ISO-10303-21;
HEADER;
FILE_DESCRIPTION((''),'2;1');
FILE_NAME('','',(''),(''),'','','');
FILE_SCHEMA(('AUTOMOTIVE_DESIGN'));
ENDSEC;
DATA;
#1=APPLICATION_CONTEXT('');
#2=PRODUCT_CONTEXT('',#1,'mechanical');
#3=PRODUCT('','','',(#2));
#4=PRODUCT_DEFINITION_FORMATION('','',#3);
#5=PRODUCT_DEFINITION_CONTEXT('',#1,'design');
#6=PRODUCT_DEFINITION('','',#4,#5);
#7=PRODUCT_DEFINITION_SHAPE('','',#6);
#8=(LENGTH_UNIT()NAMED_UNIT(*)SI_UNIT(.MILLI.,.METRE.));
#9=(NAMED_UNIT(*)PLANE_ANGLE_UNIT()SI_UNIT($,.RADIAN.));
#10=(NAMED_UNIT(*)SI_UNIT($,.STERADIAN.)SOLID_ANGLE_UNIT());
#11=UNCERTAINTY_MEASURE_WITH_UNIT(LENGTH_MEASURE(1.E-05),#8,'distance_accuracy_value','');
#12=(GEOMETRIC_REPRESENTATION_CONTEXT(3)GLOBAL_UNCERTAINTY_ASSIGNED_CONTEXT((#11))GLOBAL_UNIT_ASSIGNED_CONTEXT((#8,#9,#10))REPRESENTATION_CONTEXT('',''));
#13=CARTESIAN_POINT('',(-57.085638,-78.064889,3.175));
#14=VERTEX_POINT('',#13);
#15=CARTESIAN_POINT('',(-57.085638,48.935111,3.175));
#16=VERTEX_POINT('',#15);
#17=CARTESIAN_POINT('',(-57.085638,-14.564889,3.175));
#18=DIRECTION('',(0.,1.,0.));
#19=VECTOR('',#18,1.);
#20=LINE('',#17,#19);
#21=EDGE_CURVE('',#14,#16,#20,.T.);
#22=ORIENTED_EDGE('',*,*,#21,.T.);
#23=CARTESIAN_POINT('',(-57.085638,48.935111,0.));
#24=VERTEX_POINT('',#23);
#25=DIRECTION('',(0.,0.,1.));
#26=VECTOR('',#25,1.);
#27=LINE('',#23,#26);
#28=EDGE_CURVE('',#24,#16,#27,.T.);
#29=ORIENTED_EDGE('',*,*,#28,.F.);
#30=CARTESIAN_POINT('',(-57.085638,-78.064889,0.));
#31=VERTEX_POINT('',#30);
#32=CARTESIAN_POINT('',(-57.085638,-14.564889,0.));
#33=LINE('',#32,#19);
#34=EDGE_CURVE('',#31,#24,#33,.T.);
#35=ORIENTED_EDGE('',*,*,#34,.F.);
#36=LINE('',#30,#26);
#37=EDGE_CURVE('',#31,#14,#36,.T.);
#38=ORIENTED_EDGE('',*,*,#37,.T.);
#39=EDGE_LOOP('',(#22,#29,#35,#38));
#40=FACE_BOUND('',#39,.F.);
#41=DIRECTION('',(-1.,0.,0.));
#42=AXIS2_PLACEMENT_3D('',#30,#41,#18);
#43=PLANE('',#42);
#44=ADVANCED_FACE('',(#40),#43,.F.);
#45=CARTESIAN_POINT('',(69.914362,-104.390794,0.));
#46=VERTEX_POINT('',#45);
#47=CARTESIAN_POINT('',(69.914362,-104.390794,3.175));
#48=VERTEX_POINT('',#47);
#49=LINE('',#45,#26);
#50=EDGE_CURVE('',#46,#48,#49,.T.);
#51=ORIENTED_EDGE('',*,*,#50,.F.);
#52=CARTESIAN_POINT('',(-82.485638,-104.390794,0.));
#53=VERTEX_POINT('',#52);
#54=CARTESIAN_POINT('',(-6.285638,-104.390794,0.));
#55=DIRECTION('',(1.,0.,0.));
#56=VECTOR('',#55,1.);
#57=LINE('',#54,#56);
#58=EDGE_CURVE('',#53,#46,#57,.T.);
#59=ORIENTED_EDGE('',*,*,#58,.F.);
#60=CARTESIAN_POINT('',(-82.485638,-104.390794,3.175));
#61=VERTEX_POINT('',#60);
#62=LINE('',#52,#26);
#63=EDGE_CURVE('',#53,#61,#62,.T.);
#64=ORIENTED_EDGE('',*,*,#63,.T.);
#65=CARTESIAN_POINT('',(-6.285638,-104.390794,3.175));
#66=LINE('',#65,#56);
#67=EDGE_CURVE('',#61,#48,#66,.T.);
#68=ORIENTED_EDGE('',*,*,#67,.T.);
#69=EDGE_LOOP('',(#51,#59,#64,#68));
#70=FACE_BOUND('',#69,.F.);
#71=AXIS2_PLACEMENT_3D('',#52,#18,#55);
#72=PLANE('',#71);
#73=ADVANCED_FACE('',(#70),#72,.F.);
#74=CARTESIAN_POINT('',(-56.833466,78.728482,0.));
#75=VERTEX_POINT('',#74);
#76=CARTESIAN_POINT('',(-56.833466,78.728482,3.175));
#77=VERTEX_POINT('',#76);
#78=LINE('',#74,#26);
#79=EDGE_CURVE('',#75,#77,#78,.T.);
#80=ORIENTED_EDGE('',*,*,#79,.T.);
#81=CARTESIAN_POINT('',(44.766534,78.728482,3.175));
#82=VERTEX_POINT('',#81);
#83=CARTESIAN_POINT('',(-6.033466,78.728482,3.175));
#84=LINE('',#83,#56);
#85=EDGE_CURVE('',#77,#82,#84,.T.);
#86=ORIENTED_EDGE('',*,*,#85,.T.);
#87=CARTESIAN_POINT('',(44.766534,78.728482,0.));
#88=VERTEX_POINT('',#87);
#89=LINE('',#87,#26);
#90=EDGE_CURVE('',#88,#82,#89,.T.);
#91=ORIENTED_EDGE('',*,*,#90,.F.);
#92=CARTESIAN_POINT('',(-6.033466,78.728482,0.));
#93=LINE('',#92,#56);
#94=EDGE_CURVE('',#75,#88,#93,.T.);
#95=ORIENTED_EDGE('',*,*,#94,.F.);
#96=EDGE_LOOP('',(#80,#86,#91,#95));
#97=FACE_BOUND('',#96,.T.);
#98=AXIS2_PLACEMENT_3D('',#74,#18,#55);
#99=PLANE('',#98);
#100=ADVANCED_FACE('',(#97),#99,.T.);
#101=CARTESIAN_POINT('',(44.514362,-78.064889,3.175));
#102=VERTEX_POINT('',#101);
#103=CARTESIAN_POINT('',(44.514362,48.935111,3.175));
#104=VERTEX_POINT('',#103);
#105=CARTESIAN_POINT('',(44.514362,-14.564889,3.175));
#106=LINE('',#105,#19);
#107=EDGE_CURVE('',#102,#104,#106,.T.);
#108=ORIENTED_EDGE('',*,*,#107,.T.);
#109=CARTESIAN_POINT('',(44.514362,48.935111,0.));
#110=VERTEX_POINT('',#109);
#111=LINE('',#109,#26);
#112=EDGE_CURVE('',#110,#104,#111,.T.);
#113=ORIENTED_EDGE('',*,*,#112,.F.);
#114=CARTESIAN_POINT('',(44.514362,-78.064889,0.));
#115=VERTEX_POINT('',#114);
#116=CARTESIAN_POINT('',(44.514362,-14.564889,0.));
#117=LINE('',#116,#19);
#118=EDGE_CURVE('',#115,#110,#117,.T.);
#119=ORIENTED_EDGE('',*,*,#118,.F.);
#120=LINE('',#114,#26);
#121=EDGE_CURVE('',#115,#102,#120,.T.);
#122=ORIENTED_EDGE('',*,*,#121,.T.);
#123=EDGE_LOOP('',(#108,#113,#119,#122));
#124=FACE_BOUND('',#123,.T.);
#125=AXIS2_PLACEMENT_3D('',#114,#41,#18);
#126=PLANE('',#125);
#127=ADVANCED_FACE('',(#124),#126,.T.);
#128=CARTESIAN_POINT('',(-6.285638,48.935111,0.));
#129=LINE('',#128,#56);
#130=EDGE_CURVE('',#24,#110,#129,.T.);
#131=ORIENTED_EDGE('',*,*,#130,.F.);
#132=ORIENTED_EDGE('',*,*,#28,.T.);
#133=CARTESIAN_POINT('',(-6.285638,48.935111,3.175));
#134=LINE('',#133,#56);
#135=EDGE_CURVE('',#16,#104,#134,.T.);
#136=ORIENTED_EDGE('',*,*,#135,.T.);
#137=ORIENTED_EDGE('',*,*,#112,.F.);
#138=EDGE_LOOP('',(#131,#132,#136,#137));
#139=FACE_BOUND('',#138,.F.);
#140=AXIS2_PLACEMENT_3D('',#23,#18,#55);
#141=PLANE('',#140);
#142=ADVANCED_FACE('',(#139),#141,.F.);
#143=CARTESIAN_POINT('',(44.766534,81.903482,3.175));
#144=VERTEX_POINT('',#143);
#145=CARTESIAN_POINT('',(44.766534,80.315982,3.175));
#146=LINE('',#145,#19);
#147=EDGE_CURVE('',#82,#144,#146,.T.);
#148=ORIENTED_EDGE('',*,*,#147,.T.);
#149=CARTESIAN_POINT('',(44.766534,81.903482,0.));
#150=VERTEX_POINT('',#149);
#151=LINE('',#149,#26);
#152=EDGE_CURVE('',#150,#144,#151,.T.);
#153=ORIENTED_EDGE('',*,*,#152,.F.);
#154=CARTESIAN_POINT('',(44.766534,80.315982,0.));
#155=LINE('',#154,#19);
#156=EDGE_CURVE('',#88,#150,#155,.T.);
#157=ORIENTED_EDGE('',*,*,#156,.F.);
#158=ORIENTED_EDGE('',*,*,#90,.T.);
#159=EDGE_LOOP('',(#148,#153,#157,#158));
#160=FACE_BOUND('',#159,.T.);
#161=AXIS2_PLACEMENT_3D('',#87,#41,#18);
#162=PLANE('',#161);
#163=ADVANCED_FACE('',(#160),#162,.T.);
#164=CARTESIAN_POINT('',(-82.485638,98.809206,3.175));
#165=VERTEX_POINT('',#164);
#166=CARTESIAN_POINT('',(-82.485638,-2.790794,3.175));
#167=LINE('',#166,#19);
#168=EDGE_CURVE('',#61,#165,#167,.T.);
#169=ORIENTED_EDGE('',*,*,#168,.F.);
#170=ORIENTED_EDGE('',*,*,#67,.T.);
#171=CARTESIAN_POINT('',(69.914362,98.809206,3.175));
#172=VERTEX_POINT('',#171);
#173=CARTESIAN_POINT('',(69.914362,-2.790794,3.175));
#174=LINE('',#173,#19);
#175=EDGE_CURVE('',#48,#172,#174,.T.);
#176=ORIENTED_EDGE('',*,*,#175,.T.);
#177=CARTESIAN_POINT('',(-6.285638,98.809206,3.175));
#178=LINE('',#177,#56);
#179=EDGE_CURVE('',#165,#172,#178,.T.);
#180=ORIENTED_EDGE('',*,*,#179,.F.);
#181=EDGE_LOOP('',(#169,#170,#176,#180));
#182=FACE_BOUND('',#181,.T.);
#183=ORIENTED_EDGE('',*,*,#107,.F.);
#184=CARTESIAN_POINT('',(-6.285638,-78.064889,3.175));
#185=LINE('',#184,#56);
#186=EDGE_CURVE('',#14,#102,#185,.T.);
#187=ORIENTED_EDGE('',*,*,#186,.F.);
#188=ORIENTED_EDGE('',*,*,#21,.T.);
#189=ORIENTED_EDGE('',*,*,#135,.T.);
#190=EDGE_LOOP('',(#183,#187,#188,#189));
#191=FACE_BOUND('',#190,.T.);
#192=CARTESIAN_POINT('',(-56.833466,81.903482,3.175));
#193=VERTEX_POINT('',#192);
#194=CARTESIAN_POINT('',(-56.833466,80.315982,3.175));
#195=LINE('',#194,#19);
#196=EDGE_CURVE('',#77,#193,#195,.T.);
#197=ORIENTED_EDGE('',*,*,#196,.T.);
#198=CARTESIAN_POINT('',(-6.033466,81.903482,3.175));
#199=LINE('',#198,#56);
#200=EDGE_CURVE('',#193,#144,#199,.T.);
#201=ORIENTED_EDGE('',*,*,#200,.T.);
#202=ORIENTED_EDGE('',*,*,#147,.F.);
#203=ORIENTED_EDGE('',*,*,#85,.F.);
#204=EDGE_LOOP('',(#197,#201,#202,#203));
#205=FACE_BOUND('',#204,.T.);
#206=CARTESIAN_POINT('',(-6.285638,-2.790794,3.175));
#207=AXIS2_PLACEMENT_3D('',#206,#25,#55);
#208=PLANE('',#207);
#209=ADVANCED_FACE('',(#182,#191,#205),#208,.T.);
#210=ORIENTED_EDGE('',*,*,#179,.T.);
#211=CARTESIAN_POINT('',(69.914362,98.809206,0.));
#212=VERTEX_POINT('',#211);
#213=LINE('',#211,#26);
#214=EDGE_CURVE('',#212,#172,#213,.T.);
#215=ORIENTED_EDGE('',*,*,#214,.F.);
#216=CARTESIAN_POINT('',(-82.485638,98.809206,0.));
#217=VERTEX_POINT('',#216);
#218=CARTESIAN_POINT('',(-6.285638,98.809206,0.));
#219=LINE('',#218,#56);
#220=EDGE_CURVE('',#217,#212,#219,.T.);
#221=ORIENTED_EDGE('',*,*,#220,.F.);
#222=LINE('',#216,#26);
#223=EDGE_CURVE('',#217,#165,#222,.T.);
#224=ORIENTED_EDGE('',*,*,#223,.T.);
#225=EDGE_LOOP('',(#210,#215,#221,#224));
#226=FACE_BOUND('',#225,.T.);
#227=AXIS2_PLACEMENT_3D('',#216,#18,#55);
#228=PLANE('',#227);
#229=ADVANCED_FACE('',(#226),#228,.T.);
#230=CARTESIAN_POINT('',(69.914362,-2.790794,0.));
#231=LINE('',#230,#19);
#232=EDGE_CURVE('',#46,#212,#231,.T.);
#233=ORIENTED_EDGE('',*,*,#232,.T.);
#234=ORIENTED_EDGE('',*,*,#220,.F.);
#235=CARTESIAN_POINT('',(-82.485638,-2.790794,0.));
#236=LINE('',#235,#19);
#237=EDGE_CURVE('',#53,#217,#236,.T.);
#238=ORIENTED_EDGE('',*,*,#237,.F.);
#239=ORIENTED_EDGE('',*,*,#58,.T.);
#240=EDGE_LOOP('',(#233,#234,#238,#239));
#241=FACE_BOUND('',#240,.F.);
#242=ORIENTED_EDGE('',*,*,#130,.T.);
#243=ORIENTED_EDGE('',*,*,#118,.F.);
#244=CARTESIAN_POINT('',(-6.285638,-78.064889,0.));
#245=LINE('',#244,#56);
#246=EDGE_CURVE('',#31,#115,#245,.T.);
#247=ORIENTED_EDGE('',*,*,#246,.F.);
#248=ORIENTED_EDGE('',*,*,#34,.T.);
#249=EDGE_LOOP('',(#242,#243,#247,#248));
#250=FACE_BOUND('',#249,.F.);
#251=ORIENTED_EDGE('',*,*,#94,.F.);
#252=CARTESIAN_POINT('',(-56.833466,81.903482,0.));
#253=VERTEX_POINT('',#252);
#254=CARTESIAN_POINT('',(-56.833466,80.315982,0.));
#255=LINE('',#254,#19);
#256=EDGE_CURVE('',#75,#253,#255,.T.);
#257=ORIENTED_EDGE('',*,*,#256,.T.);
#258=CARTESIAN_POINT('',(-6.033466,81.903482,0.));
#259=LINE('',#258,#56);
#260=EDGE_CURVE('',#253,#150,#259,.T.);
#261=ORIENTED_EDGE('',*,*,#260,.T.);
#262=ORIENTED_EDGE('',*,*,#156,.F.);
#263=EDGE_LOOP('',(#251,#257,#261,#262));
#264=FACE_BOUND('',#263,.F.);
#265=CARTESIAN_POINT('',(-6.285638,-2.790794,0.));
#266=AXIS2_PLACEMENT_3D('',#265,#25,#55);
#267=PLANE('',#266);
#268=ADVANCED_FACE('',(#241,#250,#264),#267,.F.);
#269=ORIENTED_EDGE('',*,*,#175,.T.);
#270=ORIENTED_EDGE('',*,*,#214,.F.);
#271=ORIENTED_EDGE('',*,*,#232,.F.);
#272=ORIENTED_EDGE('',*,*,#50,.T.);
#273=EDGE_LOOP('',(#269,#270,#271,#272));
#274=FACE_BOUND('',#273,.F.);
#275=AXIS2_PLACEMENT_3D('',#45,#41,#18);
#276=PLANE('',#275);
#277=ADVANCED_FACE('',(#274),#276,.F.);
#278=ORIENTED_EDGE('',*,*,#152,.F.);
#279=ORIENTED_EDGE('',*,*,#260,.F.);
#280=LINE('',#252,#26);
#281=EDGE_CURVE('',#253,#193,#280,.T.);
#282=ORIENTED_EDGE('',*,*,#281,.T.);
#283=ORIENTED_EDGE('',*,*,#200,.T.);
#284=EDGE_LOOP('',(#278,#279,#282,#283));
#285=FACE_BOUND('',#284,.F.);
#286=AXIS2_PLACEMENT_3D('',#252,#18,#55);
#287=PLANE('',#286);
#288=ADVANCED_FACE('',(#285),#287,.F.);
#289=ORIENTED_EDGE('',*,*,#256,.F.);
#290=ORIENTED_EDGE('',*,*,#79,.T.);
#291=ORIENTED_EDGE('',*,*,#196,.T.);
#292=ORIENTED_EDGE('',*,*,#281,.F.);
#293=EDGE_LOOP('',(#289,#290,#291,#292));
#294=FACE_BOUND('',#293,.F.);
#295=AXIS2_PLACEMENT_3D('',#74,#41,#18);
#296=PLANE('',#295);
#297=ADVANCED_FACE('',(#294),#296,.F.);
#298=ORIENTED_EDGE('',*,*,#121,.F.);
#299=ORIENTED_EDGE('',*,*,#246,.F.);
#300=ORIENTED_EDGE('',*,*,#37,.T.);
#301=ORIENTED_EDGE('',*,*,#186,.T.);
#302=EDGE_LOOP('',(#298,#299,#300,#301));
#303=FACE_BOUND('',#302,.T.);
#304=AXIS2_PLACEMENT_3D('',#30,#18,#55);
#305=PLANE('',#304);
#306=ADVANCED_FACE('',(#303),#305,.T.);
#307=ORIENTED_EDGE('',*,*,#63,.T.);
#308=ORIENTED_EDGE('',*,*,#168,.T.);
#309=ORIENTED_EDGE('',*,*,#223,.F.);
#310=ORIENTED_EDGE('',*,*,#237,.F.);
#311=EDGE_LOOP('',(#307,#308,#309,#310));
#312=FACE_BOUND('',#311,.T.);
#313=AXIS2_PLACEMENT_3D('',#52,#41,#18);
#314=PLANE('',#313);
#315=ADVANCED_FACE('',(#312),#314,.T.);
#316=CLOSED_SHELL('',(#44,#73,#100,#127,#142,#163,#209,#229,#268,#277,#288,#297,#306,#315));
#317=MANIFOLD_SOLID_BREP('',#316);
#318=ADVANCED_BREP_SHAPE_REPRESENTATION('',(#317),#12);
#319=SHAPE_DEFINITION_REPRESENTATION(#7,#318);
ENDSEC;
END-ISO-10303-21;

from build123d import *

# Parameters (mm, degrees)
F0_W     = 152.4
F0_H     = 203.2
F0_W_2   = 101.6
F0_H_2   = 127
F0_H_3   = 3.175
F1_DEPTH = 3.175


with BuildPart() as f1:
    # F0 (on Top) → F1 (new body)
    with BuildSketch(Plane.XY):
        with Locations((-6.285638, -2.790794)):
            Rectangle(F0_W, F0_H)
        with Locations((-6.285638, -14.564889)):
            Rectangle(F0_W_2, F0_H_2, mode=Mode.SUBTRACT)
        with Locations((-6.033466, 80.315982)):
            Rectangle(F0_W_2, F0_H_3, mode=Mode.SUBTRACT)
    extrude(amount=F1_DEPTH)


solid = f1.part
